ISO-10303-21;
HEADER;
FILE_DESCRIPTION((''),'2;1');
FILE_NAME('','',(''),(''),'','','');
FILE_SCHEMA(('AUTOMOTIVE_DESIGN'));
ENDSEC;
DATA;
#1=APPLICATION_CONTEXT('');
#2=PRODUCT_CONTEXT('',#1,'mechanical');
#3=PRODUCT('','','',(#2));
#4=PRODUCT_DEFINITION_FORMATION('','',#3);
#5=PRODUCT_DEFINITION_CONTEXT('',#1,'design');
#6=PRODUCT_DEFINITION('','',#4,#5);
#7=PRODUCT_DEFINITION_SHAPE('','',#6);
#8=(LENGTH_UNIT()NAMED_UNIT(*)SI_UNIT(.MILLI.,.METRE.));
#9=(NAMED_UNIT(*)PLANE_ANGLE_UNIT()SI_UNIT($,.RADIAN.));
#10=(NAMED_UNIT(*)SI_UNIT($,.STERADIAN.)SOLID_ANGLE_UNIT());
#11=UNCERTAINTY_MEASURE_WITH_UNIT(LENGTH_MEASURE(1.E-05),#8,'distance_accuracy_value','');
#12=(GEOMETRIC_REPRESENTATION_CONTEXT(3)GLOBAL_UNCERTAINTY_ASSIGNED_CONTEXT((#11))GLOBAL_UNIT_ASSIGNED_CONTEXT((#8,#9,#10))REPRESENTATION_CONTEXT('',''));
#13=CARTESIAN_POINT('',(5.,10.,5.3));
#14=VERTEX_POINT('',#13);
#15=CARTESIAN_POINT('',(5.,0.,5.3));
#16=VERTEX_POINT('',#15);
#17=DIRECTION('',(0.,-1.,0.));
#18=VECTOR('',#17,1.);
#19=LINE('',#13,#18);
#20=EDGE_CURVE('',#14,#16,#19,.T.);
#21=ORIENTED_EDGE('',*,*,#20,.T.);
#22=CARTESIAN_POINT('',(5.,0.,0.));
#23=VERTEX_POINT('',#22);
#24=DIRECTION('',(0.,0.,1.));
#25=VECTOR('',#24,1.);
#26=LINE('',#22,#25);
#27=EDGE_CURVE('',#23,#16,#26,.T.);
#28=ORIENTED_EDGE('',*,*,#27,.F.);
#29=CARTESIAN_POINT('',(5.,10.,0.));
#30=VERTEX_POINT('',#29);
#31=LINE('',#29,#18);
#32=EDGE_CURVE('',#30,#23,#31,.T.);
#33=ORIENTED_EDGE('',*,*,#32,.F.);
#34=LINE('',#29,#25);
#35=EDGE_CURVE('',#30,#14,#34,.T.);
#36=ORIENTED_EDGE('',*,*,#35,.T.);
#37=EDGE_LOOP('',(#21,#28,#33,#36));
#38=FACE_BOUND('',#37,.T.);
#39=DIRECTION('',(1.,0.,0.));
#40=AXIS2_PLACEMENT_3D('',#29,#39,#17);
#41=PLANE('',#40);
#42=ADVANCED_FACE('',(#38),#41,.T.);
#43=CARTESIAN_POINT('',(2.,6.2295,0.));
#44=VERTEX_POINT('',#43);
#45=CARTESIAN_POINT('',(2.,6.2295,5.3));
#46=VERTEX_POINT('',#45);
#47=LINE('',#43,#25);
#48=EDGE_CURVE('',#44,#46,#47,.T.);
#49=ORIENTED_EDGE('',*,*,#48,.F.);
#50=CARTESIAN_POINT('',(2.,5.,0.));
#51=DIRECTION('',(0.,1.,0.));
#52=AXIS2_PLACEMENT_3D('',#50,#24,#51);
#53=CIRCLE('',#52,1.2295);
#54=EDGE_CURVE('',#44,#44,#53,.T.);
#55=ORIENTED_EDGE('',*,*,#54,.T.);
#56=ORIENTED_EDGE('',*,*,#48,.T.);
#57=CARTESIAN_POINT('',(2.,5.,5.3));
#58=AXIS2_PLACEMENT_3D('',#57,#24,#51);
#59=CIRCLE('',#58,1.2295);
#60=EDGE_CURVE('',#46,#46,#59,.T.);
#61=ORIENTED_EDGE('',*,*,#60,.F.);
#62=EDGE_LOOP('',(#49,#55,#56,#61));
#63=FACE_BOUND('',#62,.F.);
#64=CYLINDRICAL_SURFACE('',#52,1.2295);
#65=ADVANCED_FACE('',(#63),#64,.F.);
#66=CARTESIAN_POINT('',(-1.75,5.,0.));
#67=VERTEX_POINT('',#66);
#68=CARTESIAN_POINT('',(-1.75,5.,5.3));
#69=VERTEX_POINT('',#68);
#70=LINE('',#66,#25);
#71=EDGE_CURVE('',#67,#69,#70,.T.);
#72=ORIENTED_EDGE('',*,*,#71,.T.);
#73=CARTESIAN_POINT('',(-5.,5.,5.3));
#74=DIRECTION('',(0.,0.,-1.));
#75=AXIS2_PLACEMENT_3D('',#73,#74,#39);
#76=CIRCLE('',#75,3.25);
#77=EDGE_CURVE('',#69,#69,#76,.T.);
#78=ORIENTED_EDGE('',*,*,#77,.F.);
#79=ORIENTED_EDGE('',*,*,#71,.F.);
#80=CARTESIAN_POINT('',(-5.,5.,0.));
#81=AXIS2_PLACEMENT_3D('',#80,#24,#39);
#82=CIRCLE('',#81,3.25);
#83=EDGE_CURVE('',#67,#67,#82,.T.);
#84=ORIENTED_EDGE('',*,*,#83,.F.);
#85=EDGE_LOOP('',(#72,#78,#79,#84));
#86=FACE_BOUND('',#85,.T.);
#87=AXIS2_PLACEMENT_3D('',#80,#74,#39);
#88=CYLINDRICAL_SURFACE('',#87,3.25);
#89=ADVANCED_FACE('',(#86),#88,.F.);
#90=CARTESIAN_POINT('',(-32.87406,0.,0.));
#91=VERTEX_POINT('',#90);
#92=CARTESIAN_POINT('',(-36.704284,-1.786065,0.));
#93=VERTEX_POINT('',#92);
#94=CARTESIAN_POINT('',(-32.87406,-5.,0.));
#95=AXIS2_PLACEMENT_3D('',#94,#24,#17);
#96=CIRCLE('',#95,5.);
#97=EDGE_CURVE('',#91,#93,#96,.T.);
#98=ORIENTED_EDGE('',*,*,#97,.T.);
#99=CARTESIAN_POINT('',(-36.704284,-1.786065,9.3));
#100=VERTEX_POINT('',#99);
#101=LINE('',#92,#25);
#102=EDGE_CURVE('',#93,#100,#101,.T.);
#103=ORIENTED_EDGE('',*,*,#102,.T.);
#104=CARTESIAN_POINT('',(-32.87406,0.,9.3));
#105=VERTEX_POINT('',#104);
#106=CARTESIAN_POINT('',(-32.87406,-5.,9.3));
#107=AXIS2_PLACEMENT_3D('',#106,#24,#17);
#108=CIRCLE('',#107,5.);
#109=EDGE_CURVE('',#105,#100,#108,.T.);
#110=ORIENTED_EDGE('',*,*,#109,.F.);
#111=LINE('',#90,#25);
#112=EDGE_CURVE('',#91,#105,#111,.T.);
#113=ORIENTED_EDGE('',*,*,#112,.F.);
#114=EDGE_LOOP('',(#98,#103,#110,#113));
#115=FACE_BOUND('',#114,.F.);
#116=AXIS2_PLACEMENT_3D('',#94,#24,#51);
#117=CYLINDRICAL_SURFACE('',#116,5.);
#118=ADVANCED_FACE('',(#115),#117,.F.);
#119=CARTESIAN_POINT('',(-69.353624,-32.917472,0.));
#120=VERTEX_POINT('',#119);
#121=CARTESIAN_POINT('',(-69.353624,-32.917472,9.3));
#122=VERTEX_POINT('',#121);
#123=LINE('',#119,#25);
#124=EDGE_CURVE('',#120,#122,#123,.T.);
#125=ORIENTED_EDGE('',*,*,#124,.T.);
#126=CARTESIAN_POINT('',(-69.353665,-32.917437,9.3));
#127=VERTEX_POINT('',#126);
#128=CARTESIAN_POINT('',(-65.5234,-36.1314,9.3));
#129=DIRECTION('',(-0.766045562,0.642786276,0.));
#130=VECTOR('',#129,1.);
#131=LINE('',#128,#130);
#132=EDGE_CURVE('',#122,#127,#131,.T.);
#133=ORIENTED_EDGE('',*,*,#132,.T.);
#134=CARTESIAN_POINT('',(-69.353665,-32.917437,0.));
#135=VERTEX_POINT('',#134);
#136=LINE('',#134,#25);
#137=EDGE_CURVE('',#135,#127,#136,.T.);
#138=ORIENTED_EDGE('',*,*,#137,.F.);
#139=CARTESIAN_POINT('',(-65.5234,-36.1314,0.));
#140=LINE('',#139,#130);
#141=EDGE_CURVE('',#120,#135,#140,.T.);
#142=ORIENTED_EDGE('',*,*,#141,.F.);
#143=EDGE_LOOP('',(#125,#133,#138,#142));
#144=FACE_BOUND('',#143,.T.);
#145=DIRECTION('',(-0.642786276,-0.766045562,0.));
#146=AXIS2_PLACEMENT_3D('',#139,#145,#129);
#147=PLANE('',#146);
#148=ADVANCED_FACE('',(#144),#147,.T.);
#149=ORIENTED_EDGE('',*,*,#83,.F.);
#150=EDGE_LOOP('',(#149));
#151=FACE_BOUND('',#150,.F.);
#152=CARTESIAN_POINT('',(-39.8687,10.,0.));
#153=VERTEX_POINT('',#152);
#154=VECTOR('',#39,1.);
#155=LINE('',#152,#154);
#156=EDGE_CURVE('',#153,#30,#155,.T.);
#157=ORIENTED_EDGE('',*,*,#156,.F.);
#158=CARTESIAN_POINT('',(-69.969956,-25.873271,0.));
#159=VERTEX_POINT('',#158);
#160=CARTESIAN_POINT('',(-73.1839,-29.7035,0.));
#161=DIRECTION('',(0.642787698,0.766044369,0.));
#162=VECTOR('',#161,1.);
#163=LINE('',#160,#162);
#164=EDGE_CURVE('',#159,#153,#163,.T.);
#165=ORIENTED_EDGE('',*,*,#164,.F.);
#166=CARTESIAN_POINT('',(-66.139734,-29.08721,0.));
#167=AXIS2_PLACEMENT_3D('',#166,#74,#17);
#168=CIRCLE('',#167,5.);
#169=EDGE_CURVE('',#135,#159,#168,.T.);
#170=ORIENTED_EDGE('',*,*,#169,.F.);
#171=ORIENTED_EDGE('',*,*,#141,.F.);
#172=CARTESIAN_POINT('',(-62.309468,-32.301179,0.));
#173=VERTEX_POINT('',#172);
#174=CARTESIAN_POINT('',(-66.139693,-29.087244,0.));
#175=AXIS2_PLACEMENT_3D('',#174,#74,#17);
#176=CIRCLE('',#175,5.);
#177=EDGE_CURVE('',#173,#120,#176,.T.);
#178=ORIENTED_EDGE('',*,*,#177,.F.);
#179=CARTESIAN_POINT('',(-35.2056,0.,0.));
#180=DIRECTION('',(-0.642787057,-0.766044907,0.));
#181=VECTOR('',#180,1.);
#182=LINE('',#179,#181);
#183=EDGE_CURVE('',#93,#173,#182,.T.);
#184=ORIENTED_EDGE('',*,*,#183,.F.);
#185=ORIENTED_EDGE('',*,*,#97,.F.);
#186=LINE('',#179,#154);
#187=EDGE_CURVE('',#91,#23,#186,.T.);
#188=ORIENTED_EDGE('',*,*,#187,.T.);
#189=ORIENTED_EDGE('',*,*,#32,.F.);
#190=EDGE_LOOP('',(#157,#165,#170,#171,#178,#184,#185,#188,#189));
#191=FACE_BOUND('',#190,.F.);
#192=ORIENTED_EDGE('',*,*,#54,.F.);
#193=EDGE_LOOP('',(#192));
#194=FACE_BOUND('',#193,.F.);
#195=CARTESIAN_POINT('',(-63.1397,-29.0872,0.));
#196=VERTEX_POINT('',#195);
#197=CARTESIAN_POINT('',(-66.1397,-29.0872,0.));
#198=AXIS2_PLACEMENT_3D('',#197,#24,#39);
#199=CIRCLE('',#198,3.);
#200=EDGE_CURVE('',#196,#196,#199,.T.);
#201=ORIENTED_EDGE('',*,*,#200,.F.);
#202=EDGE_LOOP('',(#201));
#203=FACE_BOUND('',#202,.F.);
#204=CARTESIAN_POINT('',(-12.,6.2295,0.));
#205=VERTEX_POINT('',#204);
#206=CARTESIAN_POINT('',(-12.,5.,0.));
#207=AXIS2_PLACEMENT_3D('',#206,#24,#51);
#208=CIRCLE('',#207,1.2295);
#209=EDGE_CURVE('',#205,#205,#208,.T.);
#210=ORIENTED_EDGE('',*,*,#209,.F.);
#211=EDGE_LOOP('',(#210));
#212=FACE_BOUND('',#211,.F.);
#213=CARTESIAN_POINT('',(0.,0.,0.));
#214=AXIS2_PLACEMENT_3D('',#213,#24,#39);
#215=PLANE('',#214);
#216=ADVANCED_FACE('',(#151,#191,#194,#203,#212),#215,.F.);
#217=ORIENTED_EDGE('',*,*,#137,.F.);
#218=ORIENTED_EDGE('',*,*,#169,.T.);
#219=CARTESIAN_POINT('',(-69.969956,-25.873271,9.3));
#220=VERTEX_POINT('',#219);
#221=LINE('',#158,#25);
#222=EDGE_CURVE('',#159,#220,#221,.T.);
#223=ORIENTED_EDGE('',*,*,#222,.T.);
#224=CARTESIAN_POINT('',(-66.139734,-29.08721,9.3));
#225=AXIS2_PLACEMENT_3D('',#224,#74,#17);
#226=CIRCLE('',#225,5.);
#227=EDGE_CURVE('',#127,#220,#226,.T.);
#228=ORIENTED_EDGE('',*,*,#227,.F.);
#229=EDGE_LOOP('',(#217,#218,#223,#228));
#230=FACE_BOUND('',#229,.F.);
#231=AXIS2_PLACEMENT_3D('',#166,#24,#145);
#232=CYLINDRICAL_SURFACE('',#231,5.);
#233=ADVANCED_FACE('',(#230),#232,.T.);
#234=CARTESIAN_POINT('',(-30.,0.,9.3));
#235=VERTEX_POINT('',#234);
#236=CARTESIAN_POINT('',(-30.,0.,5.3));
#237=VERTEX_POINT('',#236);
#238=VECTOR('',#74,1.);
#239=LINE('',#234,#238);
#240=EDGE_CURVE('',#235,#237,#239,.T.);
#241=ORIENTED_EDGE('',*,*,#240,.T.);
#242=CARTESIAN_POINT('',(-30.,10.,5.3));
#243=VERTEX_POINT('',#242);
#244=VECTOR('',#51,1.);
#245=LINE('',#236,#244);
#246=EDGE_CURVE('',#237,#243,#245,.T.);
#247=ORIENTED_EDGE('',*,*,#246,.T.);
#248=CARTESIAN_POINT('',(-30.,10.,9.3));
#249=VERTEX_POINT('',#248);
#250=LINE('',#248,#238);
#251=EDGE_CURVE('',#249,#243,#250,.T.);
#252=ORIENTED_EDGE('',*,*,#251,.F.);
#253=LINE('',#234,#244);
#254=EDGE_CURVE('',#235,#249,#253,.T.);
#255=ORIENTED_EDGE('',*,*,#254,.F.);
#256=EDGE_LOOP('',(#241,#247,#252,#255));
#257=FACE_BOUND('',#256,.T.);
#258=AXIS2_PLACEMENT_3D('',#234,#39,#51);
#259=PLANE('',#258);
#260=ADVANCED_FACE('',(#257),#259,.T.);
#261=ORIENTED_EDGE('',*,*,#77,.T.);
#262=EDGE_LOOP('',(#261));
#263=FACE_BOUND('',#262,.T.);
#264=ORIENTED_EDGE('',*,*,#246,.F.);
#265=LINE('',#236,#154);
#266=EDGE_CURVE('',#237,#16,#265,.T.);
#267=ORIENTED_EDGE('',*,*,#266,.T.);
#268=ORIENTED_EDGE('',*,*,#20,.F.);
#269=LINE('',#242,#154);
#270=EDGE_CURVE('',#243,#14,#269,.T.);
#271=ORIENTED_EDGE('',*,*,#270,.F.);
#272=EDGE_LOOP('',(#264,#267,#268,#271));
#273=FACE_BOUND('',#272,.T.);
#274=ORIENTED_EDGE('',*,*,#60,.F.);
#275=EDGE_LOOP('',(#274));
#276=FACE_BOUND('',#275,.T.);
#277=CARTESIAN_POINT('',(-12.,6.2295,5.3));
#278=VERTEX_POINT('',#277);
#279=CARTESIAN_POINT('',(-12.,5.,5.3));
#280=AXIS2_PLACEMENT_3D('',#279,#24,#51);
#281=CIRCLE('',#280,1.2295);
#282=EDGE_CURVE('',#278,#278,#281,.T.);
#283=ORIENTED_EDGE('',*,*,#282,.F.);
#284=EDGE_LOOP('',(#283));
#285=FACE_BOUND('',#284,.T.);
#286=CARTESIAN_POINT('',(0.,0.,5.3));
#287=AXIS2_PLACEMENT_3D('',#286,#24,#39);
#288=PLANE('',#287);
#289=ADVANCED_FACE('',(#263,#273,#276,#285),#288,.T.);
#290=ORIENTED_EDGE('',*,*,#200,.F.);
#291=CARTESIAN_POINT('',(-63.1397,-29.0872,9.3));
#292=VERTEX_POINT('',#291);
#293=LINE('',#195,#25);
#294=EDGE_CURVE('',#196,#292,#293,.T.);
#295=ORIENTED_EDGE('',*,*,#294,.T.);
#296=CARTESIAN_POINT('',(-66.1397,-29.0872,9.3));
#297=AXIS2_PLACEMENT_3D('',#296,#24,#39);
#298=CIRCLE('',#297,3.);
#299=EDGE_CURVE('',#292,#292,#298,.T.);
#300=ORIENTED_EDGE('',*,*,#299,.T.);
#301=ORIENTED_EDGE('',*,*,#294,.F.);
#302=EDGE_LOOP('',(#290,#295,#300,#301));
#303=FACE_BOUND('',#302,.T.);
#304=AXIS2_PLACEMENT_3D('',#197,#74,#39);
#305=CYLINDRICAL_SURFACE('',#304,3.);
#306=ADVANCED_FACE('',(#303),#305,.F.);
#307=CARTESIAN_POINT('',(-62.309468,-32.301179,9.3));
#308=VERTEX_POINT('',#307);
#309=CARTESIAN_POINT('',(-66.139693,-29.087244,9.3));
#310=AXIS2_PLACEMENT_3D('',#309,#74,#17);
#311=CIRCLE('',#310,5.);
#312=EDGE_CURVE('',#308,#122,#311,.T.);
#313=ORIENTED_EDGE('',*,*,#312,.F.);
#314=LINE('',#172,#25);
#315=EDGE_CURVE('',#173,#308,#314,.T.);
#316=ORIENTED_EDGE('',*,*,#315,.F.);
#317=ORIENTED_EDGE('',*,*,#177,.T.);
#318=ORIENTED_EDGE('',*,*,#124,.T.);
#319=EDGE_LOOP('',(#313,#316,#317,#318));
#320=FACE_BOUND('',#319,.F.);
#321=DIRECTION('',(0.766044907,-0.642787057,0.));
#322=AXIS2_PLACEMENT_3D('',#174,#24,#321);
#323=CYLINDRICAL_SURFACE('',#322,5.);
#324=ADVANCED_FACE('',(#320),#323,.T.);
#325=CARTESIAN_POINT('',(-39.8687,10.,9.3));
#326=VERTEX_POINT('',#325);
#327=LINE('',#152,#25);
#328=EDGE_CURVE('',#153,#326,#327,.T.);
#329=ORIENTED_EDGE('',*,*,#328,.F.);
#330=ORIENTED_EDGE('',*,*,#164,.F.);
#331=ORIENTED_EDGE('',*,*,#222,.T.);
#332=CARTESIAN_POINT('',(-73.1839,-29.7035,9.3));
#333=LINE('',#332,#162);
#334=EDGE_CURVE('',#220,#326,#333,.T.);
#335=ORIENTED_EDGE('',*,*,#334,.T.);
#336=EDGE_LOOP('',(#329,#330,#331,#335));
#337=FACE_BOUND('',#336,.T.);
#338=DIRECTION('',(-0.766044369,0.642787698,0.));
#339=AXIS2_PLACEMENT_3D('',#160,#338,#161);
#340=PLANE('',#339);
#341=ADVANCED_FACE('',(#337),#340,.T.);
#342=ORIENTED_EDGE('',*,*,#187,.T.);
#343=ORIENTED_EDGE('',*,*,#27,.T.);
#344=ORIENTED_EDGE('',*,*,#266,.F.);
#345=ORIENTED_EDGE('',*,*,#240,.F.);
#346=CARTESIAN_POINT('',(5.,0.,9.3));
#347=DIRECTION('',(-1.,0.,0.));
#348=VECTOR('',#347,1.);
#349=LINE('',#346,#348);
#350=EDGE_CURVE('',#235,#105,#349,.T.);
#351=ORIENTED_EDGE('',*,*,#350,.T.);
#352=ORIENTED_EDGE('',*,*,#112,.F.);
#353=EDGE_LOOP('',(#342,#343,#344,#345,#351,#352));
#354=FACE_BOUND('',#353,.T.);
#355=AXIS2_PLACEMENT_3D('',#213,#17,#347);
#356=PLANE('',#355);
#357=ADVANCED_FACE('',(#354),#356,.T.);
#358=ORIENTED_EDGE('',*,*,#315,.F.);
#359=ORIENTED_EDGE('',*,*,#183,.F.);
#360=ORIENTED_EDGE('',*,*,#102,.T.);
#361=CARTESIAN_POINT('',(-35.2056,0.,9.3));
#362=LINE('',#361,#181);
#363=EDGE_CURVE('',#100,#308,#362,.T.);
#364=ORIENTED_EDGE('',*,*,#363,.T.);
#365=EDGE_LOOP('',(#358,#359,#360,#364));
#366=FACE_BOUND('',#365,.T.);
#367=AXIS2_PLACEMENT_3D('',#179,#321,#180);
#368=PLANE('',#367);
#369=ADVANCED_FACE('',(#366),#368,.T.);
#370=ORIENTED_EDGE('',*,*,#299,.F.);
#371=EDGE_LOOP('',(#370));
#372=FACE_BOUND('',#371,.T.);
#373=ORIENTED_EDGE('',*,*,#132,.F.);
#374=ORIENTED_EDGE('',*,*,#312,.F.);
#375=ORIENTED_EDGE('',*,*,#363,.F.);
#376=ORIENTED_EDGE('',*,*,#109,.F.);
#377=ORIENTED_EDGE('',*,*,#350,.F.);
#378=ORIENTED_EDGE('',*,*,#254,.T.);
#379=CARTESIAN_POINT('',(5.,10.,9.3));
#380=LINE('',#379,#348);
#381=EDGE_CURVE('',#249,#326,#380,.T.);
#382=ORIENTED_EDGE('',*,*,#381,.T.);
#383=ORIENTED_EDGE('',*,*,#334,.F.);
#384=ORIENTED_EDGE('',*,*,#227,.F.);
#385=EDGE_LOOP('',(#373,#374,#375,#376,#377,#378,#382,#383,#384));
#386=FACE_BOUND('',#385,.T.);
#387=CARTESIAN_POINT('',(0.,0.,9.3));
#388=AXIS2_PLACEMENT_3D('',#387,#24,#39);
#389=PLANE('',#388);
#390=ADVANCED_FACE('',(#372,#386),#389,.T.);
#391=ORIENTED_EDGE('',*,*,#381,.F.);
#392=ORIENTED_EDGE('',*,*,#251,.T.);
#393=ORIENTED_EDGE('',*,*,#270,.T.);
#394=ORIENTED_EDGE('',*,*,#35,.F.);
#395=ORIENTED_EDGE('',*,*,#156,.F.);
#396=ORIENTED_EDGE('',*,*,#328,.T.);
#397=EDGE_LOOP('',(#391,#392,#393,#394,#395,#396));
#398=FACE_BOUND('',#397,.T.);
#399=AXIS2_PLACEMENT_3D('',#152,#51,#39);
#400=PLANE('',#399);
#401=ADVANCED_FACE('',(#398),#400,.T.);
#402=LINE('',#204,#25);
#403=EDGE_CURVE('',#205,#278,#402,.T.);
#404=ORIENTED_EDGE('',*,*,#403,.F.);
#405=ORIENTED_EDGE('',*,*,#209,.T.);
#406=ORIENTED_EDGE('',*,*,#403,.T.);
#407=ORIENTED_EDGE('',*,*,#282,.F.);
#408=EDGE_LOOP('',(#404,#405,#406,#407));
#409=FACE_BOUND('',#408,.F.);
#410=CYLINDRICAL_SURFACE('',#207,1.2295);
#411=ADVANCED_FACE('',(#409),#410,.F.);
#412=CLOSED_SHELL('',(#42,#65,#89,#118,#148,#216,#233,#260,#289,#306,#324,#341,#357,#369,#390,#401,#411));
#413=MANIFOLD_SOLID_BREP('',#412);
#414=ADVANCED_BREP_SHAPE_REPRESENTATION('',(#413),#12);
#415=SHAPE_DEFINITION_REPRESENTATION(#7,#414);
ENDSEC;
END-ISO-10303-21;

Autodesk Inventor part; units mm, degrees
ref_plane "YZ Plane" through (0, 0, 0) normal (1, 0, 0) x (0, 1, 0)
ref_plane "XZ Plane" through (0, 0, 0) normal (0, 1, 0) x (-1, 0, 0)
ref_plane "XY Plane" through (0, 0, 0) normal (0, 0, 1) x (1, 0, 0)
sketch "Sketch1" plane through (0, 0, 0) normal (0, 0, 1) x (1, 0, 0)
  line L0 (0, 0) -> (-35.2056, 0)
  line L1 (-35.2056, 0) -> (-65.5234, -36.1314)
  line L2 (-65.5234, -36.1314) -> (-73.1839, -29.7035)
  line L3 (-73.1839, -29.7035) -> (-39.8687, 10)
  line L4 (-39.8687, 10) -> (0, 10)
  line L5 (0, 10) -> (0, 0)
  circle A0 centre (-66.1397, -29.0872) radius 3
  circle A1 centre (-5, 5) radius 3.25
  line L6 (0, 5) -> (-37.5371, 5) construction
  line L7 (-37.5371, 5) -> (-69.3536, -32.9174) construction
  line L8 (0, 0) -> (-65.5234, -36.1314) construction
  line L9 (0, 10) -> (5, 10)
  line L10 (5, 10) -> (5, 0)
  line L11 (5, 0) -> (0, 0)
  line L12 (0, 0) -> (0, 10)
  dimension "d0" = 10
  dimension "d1" = 6
  dimension "d2" = 6.5
  dimension "d3" = 5
  dimension "d4" = 5
  dimension "d5" = 70
  dimension "d26" = 50
  dimension "d28" = 17
  dimension "d37" = 5
extrude "Extrusion1" add sketch "Sketch1" along normal blind 9.3
fillet "Fillet1" radius 5 3 edges at (-73.1839, -29.7035, 4.65) (-65.5234, -36.1314, 4.65) (-35.2056, 0, 4.65)
sketch "Sketch5" plane through (0, 0, 0) normal (0, 0, -1) x (-1, 0, 0)
  circle A0 centre (5, 5) radius 3.25 projected
  point P0 (0, 0)
  point P1 (12, 5)
  point P2 (-2, 5)
  dimension "d29" = 7
  dimension "d38" = 7
hole "Hole1" at (-12, 5, 0) at (2, 5, 0) direction (0, 0, 1) diameter 2.459 end through all thread size "M3x0.5" class "6H" standard "ISO Metric profile"
sketch "Sketch4" plane through (0, 0, 9.3) normal (0, 0, 1) x (1, 0, 0)
  line L0 (0, 0) -> (-30, 0)
  line L1 (-30, 0) -> (-30, 10)
  line L2 (-30, 10) -> (0, 10)
  line L3 (0, 10) -> (0, 0)
  line L4 (0, 10) -> (5, 10)
  line L5 (5, 10) -> (5, 0)
  line L6 (5, 0) -> (0, 0)
  line L7 (0, 0) -> (0, 10)
  dimension "d20" = 30
extrude "Extrusion4" cut sketch "Sketch4" against normal blind 4
sketch "Sketch6" plane through (0, 0, 9.3) normal (0, 0, 1) x (1, 0, 0)
  line L0 (-3.6029, 27.6633) -> (-80.9851, -10.0258)
  line L1 (-80.9851, -10.0258) -> (-68.4455, -35.7718)
  line L2 (-68.4455, -35.7718) -> (8.9367, 1.9174)
  line L3 (8.9367, 1.9174) -> (-3.6029, 27.6633)
  arc A0 (-69.9699, -25.8733) -> (-62.3095, -32.3011) centre (-66.1397, -29.0872) ccw projected
  line L4 (-83.6105, -9.1202) -> (-2.6973, 30.2887)
  line L5 (-2.6973, 30.2887) -> (11.5621, 1.0117)
  line L6 (11.5621, 1.0117) -> (-69.3511, -38.3971)
  line L7 (-69.3511, -38.3971) -> (-83.6105, -9.1202)
  point P0 (0, 0)
  point P1 (5, 10)
  point P2 (-39.8687, 10)
  point P3 (5, 0)
  dimension "d39" = 90
  dimension "d40" = 32.5648
  dimension "d41" = 1.9638
equation "\"d3\" = 0.5 * d0"
equation "\"d4\" = 0.5 * d0"
equation "\"d38\" = d29"
properties part number "Servo_Strut_v2" material "Steel, Carbon"
